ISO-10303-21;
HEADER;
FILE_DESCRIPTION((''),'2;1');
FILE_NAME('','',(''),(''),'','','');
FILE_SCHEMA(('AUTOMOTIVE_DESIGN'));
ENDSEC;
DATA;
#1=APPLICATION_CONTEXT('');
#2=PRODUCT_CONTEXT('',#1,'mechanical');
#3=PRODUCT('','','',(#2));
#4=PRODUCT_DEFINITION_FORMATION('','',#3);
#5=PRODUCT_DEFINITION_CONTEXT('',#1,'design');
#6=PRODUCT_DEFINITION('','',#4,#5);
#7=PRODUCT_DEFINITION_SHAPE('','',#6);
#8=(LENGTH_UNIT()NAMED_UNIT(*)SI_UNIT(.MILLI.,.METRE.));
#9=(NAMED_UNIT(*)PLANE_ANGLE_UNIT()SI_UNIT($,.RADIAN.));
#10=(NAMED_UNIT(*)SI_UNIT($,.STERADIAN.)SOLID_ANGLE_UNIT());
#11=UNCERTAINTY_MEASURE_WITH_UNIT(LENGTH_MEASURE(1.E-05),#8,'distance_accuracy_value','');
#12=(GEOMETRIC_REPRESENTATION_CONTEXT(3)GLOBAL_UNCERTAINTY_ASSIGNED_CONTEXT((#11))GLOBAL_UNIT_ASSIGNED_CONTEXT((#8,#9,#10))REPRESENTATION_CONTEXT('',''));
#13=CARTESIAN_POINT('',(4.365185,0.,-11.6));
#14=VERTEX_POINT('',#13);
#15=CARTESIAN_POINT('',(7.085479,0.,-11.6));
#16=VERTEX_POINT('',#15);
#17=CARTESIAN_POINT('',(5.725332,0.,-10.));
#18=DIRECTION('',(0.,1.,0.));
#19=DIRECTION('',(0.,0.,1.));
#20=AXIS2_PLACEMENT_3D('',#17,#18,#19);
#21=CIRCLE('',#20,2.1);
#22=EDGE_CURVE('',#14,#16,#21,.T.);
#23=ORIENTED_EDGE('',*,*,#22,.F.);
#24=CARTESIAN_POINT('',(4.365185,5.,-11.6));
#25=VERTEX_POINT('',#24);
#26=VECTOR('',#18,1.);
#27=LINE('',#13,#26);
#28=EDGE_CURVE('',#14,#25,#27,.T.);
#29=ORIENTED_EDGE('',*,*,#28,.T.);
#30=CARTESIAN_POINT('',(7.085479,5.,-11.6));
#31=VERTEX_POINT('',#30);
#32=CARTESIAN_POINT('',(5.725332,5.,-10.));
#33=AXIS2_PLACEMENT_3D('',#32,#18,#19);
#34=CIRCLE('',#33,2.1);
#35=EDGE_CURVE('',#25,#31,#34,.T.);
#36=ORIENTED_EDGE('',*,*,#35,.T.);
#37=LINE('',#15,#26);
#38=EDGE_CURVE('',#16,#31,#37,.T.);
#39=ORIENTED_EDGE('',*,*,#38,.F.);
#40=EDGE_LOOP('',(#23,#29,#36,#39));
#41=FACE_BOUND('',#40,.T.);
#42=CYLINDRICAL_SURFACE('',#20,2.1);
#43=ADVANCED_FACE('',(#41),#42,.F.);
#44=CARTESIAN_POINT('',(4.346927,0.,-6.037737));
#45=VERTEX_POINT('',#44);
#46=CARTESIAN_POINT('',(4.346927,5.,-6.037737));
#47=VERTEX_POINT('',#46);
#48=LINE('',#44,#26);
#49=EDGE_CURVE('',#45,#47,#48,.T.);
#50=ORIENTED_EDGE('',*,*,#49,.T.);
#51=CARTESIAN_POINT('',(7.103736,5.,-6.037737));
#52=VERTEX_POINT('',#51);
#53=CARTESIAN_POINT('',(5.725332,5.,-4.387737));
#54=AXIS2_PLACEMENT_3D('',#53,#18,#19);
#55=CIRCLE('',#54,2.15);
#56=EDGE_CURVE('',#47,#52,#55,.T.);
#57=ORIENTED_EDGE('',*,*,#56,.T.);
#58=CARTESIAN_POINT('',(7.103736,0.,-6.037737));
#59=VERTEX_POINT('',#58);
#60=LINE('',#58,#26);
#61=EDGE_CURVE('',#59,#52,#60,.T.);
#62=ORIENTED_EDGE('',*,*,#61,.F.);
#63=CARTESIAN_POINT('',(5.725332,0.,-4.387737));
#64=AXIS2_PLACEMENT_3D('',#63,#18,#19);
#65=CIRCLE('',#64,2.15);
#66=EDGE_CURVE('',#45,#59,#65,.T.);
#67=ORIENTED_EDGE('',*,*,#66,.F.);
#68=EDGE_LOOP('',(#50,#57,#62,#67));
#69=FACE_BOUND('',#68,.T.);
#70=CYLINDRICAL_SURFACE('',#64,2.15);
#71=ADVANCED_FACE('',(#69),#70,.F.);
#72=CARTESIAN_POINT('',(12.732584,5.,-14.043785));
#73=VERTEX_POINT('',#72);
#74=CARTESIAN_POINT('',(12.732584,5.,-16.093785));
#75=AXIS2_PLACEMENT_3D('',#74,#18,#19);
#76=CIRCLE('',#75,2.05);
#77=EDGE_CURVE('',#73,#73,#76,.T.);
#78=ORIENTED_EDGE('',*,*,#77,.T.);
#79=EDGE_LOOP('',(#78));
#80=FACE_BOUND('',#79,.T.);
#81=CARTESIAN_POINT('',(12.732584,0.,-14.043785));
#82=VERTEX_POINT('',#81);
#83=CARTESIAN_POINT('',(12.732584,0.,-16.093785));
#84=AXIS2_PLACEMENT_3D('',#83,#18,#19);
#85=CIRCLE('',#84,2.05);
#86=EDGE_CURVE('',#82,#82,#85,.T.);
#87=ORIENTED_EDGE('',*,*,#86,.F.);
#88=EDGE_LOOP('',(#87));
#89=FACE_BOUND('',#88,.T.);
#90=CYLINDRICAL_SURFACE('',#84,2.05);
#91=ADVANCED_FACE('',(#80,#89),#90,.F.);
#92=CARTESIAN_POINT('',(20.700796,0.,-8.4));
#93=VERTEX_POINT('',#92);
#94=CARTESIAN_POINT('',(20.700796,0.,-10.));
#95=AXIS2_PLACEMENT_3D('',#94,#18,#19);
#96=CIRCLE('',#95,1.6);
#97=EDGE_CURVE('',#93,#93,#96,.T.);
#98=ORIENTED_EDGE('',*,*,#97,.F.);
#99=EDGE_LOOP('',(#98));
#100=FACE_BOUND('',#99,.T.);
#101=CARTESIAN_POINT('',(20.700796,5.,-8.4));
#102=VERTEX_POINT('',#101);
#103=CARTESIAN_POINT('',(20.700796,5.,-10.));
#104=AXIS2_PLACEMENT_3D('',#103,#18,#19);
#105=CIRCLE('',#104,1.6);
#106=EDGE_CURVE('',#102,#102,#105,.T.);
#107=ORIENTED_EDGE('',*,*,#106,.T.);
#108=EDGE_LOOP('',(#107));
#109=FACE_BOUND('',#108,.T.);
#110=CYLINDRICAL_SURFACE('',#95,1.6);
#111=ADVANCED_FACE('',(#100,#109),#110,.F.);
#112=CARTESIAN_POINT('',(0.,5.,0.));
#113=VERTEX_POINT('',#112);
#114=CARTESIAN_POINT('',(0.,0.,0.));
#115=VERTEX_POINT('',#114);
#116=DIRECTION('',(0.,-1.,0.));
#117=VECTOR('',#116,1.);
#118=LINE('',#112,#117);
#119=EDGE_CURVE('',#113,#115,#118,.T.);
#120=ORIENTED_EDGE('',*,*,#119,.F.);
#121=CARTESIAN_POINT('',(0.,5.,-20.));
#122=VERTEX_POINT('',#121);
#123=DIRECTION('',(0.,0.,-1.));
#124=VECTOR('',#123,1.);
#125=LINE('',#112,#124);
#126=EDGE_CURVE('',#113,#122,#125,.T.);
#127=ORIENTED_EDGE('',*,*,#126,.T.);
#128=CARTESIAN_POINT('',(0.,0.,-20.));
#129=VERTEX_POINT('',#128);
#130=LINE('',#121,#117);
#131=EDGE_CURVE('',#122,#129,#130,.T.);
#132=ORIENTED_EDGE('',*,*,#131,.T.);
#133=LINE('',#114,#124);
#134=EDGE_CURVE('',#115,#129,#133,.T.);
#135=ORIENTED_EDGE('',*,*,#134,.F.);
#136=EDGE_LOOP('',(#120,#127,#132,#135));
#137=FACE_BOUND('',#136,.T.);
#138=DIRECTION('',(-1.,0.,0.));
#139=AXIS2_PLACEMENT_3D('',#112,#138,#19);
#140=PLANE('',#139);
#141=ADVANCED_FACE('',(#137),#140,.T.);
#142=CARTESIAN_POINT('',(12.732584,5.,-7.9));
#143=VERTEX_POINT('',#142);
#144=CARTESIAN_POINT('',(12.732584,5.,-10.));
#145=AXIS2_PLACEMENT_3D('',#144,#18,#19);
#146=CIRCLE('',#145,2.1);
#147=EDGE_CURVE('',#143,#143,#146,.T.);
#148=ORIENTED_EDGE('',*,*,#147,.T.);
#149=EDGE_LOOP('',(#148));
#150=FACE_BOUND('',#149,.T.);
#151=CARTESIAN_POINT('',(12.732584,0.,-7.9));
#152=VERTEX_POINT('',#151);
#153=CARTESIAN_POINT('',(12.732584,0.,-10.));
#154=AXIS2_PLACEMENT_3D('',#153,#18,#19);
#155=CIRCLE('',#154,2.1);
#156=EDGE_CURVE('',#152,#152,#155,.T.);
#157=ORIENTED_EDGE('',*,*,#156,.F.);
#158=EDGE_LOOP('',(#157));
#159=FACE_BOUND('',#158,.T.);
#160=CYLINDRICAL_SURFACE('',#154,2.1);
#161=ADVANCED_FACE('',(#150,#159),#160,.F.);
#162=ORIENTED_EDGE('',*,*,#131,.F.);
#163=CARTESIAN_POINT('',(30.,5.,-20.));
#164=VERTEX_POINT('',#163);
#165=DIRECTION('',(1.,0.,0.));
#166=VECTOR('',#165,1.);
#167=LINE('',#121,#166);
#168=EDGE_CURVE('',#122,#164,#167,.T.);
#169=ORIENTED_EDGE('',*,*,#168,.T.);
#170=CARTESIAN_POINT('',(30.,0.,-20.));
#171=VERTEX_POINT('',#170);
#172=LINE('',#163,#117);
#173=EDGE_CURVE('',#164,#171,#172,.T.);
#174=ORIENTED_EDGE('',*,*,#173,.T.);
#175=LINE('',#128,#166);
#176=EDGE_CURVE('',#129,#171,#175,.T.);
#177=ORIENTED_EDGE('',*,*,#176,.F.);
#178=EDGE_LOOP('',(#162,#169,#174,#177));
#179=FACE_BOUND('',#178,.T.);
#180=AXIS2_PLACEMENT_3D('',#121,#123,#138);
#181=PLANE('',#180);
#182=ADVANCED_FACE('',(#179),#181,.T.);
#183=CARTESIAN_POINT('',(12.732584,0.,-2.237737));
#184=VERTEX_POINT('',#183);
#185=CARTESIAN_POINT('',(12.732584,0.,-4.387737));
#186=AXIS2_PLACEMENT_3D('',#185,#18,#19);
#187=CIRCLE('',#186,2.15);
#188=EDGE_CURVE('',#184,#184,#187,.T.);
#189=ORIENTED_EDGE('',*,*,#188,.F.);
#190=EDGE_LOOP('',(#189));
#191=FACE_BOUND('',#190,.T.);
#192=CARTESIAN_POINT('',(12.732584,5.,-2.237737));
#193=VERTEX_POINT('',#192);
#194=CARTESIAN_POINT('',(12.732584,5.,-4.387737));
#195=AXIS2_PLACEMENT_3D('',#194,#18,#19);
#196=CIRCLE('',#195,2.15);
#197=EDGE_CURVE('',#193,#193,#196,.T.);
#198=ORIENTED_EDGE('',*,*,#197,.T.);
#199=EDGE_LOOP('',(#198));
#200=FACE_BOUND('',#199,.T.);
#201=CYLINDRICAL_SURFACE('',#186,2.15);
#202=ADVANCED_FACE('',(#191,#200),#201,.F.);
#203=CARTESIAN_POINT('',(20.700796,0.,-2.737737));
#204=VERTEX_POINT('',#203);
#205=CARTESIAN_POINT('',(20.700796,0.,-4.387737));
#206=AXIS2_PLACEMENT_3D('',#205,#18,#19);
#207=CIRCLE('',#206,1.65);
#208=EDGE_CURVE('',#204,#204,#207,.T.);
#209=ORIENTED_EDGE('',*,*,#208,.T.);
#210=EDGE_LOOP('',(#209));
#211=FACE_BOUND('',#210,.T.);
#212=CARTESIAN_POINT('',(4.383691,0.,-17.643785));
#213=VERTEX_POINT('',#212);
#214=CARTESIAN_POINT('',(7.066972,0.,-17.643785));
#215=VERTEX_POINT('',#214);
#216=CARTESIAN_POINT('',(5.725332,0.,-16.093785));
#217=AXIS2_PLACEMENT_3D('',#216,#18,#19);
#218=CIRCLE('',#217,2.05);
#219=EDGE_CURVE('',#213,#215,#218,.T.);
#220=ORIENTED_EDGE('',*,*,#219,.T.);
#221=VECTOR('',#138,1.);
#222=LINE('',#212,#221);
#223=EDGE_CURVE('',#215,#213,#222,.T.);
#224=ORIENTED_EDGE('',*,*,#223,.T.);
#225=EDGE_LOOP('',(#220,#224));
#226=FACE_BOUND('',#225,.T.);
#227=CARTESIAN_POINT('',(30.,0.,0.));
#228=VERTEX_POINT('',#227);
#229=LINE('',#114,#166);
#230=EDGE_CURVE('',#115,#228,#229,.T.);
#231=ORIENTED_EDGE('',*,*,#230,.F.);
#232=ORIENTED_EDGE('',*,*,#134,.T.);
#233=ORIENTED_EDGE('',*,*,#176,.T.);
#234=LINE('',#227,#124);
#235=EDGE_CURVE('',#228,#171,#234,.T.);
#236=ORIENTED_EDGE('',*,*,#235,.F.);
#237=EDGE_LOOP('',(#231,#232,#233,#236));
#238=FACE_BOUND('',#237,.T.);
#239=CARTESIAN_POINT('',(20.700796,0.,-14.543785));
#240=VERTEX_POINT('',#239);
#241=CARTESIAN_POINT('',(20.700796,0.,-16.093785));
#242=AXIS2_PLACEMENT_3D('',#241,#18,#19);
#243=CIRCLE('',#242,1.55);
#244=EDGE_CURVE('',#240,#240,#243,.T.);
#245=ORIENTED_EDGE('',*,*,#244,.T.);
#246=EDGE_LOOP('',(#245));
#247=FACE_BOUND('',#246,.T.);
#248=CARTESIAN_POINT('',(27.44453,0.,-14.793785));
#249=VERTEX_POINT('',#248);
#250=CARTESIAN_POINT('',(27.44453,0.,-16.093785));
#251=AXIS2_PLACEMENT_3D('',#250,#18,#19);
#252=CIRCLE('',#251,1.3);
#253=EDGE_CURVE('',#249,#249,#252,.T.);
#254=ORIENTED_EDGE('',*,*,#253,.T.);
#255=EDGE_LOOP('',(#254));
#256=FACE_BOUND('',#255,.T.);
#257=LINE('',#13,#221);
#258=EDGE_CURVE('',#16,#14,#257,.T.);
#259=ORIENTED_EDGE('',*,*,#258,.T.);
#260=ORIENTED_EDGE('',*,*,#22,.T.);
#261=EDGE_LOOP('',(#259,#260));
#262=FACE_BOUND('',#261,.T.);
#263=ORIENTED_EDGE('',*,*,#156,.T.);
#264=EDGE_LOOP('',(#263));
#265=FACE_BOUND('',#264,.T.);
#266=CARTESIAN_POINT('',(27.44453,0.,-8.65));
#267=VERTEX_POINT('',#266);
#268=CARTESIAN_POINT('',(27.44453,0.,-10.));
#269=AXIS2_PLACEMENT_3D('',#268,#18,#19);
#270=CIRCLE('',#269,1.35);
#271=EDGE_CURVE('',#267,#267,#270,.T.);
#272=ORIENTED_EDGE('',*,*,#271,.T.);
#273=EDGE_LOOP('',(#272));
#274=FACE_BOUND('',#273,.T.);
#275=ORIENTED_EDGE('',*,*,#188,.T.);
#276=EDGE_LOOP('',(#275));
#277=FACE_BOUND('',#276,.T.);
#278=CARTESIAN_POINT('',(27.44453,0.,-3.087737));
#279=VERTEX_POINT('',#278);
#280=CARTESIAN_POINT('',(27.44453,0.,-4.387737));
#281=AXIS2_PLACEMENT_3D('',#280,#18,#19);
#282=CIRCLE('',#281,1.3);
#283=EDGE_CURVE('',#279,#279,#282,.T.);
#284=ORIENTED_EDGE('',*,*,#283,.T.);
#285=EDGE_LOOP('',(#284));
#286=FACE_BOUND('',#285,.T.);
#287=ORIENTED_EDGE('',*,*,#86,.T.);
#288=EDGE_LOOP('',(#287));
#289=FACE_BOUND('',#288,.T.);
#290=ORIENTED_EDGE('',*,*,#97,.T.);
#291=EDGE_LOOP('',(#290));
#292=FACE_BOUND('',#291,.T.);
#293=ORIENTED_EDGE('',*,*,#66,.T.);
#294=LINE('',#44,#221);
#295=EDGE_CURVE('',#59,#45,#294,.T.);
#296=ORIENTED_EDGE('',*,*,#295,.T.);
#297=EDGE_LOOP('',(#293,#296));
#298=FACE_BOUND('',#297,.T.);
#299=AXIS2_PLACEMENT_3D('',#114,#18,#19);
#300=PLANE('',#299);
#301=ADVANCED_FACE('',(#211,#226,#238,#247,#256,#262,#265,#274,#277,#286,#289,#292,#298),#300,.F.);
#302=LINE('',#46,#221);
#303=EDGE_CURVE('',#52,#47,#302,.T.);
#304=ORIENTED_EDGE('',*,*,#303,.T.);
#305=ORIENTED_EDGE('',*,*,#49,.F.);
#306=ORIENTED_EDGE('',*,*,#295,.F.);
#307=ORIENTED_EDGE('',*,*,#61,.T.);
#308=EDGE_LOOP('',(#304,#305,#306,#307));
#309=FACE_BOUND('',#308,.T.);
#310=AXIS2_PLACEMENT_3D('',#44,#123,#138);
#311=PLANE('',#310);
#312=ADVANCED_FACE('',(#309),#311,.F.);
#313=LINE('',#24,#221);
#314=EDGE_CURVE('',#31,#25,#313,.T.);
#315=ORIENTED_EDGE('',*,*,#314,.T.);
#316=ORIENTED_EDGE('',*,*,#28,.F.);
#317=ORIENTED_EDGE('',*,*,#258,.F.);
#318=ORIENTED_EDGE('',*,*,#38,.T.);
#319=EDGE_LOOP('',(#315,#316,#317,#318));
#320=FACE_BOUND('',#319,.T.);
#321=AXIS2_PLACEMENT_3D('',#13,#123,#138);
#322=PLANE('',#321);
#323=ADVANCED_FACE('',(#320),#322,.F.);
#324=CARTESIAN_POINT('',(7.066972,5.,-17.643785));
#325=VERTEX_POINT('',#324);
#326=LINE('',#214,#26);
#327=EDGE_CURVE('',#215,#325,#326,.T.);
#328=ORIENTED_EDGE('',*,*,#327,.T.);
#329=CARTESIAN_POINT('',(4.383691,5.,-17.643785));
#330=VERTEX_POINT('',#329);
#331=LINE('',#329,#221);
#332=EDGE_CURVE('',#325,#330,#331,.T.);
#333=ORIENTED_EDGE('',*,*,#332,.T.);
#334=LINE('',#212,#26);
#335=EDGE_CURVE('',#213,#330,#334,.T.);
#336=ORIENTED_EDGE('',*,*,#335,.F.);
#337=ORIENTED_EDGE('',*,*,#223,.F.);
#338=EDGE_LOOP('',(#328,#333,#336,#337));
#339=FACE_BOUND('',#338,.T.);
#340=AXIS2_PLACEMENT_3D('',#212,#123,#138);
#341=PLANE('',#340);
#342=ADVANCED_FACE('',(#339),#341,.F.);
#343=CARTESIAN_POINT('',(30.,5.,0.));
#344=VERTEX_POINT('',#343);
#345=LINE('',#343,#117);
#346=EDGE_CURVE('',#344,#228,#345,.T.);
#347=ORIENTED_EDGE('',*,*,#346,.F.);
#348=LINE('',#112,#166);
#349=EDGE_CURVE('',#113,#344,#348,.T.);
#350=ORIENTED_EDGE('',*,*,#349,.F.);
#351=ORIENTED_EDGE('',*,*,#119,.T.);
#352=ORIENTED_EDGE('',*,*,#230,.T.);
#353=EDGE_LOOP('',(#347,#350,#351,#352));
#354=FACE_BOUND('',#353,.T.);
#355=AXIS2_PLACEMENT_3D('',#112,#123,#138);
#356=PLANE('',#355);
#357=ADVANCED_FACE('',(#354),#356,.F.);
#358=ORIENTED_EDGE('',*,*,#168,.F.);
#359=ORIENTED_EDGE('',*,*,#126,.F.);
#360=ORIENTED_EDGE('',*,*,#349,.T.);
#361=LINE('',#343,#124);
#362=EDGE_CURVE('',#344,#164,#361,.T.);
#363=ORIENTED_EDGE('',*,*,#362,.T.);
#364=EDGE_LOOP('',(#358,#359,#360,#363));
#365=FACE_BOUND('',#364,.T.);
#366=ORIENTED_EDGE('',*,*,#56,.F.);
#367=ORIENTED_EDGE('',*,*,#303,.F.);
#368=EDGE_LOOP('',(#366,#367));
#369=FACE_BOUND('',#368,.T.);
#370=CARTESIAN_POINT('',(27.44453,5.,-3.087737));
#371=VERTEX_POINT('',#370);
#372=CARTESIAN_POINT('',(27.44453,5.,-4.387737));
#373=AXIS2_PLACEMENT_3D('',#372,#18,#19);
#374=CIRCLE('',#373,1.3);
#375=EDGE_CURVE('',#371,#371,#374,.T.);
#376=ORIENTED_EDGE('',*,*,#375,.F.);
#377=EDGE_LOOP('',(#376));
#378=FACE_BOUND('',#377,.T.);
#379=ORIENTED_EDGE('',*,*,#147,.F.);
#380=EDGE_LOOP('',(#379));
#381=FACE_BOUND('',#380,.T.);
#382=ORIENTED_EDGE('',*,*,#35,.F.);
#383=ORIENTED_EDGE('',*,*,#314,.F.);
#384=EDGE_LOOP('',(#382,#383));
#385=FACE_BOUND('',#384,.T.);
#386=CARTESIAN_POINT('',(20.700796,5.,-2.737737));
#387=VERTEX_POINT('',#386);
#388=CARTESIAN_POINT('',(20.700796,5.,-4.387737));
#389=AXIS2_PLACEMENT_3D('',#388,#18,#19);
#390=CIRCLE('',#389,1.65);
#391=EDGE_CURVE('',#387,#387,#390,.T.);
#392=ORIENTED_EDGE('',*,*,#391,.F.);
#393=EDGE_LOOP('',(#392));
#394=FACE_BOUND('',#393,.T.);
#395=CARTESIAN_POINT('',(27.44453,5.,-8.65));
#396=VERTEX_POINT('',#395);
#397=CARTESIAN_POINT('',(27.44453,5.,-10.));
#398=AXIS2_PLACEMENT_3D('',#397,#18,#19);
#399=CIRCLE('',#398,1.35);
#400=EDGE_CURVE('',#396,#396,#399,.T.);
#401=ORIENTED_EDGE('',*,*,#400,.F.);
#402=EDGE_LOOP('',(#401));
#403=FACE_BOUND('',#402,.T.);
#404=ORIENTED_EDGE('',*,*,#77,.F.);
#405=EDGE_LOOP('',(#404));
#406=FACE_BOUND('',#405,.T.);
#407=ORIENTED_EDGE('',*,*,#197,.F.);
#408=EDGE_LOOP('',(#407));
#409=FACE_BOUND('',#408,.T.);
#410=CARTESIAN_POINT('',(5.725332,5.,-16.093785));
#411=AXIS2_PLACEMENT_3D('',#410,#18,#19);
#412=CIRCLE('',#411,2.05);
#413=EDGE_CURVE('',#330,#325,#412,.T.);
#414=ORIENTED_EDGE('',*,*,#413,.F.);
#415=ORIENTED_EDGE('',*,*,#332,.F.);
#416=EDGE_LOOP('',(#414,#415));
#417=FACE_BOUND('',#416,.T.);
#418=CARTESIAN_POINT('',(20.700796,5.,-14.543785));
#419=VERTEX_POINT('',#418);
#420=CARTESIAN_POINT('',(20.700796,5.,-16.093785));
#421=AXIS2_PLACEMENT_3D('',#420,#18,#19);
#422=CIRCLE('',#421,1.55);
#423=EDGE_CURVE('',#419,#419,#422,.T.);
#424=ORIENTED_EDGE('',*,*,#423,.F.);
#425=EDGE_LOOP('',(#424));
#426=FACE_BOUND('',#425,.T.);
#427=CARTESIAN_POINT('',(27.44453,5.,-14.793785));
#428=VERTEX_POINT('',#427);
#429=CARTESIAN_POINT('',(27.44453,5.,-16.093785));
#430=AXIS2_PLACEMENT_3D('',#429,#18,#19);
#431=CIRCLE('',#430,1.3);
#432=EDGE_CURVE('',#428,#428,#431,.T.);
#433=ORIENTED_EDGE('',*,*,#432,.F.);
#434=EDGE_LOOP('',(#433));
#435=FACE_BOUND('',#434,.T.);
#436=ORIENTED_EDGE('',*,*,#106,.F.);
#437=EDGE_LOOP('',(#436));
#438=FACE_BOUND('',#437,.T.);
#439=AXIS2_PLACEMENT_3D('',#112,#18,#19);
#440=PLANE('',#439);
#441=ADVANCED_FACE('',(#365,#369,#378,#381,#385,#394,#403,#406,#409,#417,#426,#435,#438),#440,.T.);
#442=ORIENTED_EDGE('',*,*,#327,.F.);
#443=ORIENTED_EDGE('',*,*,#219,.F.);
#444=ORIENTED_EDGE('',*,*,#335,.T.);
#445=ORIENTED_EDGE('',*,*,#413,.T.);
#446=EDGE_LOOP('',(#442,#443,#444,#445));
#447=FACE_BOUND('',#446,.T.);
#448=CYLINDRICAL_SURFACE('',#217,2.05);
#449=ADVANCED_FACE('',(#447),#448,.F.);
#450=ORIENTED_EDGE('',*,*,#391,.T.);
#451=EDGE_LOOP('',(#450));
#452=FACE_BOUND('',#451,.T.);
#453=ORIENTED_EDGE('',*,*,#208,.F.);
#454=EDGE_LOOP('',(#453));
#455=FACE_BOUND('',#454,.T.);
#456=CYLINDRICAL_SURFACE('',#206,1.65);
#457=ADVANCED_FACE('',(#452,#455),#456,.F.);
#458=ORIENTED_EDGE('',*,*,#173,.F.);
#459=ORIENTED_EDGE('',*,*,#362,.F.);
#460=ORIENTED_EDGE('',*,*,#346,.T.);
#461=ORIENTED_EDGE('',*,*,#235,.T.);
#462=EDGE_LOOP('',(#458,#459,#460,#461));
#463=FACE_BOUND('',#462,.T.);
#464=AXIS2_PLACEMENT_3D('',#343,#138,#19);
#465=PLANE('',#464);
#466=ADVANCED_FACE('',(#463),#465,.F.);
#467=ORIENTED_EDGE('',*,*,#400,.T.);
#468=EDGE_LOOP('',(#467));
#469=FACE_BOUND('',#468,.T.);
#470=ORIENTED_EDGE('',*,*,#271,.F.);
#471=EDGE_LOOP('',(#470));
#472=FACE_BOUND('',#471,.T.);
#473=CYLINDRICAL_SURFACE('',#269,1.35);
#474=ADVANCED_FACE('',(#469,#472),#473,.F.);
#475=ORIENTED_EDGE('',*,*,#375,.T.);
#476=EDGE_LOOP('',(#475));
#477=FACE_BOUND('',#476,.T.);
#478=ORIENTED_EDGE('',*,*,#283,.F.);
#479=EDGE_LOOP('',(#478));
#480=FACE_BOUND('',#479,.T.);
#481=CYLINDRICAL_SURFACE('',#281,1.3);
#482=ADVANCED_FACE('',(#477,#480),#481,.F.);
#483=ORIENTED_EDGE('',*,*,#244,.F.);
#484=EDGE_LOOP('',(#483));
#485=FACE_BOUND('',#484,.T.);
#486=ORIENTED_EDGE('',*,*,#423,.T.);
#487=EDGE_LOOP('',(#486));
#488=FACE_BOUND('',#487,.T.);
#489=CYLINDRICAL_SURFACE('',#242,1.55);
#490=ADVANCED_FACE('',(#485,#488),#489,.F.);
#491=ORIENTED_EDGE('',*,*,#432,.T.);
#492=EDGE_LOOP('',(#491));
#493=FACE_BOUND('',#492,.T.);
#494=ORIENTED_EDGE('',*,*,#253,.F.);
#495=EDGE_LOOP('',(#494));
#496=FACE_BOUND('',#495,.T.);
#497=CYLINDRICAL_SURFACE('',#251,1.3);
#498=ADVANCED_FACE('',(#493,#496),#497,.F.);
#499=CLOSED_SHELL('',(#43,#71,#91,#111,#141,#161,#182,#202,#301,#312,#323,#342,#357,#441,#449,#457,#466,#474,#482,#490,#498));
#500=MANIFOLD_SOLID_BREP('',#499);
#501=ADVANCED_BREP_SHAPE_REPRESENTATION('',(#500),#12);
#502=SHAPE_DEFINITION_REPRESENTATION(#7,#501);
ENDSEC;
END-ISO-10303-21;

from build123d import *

# Parameters (mm, degrees)
SKETCH2_W           = 30
SKETCH2_H           = 20
BOSS_EXTRUDE1_DEPTH = 5
SKETCH5_R           = 1.35
SKETCH5_R_2         = 1.6
SKETCH5_R_3         = 2.1
SKETCH5_R_4         = 1.55
SKETCH5_R_5         = 1.3
SKETCH5_R_6         = 2.05
SKETCH5_R_7         = 1.65
SKETCH5_R_8         = 2.15
CUT_EXTRUDE3_DEPTH  = 37.400549446


with BuildPart() as part:
    # Sketch2 → Boss-Extrude1 (new body)
    with BuildSketch(Plane(origin=(0, 0, 0), x_dir=(1, 0, 0), z_dir=(0, 1, 0))):
        with Locations((15, 10)):
            Rectangle(SKETCH2_W, SKETCH2_H)
    extrude(amount=BOSS_EXTRUDE1_DEPTH)

    # Sketch5 → Cut-Extrude3 (cut, through all)
    with BuildSketch(Plane(origin=(0, 5, 0), x_dir=(1, 0, 0), z_dir=(0, 1, 0))):
        with Locations((27.444530449, 10)):
            Circle(SKETCH5_R)
        with Locations((20.700795765, 10)):
            Circle(SKETCH5_R_2)
        with Locations((12.732583582, 10)):
            Circle(SKETCH5_R_3)
        with Locations((20.700795765, 16.093784601)):
            Circle(SKETCH5_R_4)
        with Locations((27.444530449, 16.093784601)):
            Circle(SKETCH5_R_5)
        with Locations((12.732583582, 16.093784601)):
            Circle(SKETCH5_R_6)
        with Locations((20.700795765, 4.387736866)):
            Circle(SKETCH5_R_7)
        with Locations((27.444530449, 4.387736866)):
            Circle(SKETCH5_R_5)
        with Locations((12.732583582, 4.387736866)):
            Circle(SKETCH5_R_8)
        with BuildLine():
            Line((4.365184557, 11.6), (7.085478659, 11.6))
            ThreePointArc((7.085478659, 11.6), (5.725331608, 7.9), (4.365184557, 11.6))
        make_face()
        with BuildLine():
            Line((4.346926733, 6.037736866), (7.103736483, 6.037736866))
            ThreePointArc((7.103736483, 6.037736866), (5.725331608, 2.237736866), (4.346926733, 6.037736866))
        make_face()
        with BuildLine():
            Line((4.383690822, 17.643784601), (7.066972395, 17.643784601))
            ThreePointArc((7.066972395, 17.643784601), (5.725331608, 14.043784601), (4.383690822, 17.643784601))
        make_face()
    extrude(amount=-CUT_EXTRUDE3_DEPTH, mode=Mode.SUBTRACT)


solid = part.part
